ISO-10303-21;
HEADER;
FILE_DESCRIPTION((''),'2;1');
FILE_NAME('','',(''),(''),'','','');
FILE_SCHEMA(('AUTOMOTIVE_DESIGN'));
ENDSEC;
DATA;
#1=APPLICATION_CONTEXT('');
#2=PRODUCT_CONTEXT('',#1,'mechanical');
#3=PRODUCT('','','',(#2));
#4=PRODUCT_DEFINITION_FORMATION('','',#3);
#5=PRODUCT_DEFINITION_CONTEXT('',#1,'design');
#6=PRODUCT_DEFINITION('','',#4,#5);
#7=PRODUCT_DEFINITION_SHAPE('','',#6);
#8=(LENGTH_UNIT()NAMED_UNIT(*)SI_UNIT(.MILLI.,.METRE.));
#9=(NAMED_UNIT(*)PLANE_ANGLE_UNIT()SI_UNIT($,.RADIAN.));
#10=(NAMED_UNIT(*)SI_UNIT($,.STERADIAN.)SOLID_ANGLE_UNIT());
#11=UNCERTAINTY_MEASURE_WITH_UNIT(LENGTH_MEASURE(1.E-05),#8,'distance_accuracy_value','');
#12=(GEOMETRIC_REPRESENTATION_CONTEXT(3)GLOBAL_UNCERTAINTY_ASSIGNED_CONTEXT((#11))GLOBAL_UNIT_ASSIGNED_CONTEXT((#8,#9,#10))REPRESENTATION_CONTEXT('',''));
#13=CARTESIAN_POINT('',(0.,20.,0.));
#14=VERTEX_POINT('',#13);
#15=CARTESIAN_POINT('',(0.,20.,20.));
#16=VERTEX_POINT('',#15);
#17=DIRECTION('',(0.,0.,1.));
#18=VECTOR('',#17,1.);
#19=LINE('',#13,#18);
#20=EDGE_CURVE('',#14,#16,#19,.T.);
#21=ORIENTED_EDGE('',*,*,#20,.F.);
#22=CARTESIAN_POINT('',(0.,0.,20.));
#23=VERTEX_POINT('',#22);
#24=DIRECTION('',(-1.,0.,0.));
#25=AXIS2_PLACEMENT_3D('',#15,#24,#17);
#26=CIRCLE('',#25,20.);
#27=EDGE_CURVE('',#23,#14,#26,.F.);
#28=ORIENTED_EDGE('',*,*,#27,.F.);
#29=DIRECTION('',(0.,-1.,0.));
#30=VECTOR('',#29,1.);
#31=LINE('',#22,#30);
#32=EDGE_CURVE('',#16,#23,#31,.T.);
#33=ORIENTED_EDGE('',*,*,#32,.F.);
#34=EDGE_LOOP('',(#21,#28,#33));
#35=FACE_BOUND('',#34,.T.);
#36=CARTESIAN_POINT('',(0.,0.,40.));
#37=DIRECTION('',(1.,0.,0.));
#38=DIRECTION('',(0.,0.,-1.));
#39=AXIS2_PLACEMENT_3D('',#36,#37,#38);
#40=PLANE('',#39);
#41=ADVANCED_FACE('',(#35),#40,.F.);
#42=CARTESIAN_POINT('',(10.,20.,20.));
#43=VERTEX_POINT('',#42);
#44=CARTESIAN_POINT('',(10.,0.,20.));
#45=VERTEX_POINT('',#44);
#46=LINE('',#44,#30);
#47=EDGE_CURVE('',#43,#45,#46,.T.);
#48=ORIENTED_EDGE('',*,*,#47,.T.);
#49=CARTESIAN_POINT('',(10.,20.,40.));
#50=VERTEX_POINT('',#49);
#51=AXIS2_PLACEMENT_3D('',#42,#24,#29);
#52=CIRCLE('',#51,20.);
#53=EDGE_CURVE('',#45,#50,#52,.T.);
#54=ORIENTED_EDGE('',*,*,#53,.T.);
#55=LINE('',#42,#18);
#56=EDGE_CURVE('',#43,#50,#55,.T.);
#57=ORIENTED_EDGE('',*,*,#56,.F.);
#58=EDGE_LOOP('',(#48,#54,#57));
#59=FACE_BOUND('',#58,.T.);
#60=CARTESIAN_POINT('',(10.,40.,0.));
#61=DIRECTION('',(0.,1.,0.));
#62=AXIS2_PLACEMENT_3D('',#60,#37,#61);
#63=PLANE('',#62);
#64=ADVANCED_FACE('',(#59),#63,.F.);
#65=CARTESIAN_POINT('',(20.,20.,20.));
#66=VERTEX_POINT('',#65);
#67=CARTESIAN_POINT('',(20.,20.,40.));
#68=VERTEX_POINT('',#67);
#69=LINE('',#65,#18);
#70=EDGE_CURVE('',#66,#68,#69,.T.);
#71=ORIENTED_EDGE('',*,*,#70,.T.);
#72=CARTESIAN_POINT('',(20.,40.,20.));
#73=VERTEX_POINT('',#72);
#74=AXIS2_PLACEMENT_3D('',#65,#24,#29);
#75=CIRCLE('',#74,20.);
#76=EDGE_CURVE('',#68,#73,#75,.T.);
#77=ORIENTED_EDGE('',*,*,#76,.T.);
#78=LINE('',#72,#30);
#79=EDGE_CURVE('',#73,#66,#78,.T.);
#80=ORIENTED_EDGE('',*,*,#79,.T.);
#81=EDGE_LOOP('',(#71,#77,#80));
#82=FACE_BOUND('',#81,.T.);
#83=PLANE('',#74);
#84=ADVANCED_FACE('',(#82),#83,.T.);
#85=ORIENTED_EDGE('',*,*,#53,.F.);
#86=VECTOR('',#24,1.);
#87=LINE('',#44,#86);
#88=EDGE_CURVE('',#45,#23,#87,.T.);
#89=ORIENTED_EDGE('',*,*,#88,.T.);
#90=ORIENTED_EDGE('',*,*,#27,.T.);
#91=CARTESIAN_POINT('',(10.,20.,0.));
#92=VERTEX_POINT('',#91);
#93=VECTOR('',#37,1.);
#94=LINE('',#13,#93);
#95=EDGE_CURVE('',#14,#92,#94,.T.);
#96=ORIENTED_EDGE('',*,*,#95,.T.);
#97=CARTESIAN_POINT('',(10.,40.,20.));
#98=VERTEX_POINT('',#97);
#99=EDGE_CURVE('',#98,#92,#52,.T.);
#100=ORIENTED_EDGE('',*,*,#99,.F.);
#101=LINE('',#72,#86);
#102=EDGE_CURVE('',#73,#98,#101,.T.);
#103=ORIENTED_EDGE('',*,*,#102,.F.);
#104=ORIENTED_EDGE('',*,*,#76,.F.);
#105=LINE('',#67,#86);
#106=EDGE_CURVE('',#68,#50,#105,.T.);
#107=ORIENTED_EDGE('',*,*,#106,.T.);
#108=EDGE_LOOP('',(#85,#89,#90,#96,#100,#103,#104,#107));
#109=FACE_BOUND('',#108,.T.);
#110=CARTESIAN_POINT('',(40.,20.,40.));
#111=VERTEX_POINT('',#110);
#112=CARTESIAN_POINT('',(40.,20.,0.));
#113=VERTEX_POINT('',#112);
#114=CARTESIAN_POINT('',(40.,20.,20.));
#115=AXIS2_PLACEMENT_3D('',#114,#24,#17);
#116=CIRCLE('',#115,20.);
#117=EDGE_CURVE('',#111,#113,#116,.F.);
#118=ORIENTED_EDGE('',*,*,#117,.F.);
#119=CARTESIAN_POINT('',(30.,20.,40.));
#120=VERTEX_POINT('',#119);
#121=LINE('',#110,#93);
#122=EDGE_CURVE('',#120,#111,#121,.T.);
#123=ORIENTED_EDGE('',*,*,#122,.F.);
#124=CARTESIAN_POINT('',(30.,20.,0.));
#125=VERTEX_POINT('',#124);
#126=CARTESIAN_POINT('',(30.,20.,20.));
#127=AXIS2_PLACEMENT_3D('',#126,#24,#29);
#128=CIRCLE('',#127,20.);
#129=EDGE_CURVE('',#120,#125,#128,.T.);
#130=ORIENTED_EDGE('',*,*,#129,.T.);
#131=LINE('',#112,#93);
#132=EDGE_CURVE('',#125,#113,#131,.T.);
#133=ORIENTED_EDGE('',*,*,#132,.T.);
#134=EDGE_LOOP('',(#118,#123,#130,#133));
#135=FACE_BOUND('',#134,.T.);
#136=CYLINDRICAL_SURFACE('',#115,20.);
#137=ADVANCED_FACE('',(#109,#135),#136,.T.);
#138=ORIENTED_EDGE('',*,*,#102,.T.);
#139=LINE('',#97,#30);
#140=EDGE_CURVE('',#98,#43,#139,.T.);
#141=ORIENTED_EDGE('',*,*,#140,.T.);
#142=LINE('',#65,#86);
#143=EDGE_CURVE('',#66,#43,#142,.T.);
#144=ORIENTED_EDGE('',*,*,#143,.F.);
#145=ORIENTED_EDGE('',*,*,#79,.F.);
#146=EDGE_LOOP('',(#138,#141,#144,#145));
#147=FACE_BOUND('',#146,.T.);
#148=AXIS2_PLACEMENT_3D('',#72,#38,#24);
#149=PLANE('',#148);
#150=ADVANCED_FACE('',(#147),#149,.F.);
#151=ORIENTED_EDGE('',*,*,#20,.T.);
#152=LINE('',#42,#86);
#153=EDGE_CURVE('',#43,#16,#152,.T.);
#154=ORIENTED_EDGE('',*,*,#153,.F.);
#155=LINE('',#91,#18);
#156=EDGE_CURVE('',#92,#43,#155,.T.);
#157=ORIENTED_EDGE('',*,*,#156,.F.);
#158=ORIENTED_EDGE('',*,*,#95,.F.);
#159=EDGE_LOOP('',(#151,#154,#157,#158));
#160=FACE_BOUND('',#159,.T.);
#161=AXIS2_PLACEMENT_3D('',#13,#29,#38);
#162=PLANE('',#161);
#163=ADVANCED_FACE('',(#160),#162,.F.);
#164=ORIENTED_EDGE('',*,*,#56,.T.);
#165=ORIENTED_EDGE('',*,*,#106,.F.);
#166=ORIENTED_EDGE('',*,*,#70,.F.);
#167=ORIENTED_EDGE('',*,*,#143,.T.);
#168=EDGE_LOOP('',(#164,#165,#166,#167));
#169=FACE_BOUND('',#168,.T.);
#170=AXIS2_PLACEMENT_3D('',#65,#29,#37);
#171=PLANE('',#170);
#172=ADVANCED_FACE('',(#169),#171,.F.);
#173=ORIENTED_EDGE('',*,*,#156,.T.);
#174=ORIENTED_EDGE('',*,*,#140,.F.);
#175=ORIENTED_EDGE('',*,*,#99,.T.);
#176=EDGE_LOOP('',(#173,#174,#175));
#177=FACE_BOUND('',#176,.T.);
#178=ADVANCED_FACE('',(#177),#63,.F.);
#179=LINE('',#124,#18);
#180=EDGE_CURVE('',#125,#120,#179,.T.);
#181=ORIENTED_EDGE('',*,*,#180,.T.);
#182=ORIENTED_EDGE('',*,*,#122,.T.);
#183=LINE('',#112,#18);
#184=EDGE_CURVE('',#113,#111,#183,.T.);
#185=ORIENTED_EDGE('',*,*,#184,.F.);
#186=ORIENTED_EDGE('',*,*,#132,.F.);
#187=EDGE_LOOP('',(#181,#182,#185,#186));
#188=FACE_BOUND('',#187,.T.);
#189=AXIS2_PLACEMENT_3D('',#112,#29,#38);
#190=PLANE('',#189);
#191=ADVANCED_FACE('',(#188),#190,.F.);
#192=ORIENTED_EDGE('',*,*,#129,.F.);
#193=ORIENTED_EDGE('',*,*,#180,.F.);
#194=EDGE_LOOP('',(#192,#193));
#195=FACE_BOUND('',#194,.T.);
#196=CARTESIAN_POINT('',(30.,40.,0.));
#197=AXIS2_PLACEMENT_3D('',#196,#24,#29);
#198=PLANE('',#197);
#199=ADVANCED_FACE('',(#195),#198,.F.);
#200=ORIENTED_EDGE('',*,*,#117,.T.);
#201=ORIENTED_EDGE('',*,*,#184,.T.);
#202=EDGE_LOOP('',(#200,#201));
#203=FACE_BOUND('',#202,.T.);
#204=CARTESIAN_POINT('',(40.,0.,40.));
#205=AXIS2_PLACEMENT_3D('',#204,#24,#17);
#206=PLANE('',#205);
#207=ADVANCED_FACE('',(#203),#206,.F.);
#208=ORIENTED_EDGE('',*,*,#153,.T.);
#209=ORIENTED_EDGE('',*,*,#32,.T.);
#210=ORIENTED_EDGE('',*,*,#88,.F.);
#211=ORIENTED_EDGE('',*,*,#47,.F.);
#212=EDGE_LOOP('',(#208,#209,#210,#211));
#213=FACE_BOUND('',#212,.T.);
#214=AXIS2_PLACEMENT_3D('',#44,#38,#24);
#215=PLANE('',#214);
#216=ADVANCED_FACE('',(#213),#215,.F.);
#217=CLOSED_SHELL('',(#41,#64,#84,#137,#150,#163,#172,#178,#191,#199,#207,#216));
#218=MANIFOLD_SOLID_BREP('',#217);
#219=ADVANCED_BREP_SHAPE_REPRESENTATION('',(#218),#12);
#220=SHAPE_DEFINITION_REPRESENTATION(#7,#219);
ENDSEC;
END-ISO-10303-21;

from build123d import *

# Parameters (mm, degrees)
SKETCH1_W           = 40
SKETCH1_H           = 40
BOSS_EXTRUDE1_DEPTH = 40
SKETCH2_W           = 10
SKETCH2_H           = 20
CUT_EXTRUDE1_DEPTH  = 40
CUT_EXTRUDE2_DEPTH  = 40
CUT_EXTRUDE3_DEPTH  = 40
CUT_EXTRUDE4_DEPTH  = 10
CUT_EXTRUDE5_DEPTH  = 10


with BuildPart() as part:
    # Sketch1 → Boss-Extrude1 (new body)
    with BuildSketch(Plane.XY):
        with Locations((20, 20)):
            Rectangle(SKETCH1_W, SKETCH1_H)
    extrude(amount=BOSS_EXTRUDE1_DEPTH)

    # Sketch2 → Cut-Extrude1 (cut)
    with BuildSketch(Plane.XY.offset(40)):
        with Locations((5, 30)):
            Rectangle(SKETCH2_W, SKETCH2_H)
        with Locations((35, 30)):
            Rectangle(SKETCH2_W, SKETCH2_H)
    extrude(amount=-CUT_EXTRUDE1_DEPTH, mode=Mode.SUBTRACT)

    # Sketch3 → Cut-Extrude2 (cut)
    with BuildSketch(Plane.ZY):
        with BuildLine():
            ThreePointArc((20, 0), (5.857864376, 5.857864376), (0, 20))
            Line((0, 20), (0, 0))
            Line((0, 0), (20, 0))
        make_face()
        with BuildLine():
            ThreePointArc((40, 20), (34.142135624, 5.857864376), (20, 0))
            Line((20, 0), (40, 0))
            Line((40, 0), (40, 20))
        make_face()
    extrude(amount=-CUT_EXTRUDE2_DEPTH, mode=Mode.SUBTRACT)

    # Sketch4 → Cut-Extrude3 (cut)
    with BuildSketch(Plane.ZY.offset(-10)):
        with BuildLine():
            Line((0, 40), (0, 20))
            ThreePointArc((0, 20), (5.857864376, 34.142135624), (20, 40))
            Line((20, 40), (0, 40))
        make_face()
        with BuildLine():
            Line((40, 40), (20, 40))
            ThreePointArc((20, 40), (34.142135624, 34.142135624), (40, 20))
            Line((40, 20), (40, 40))
        make_face()
    extrude(amount=-CUT_EXTRUDE3_DEPTH, mode=Mode.SUBTRACT)

    # Sketch5 → Cut-Extrude4 (cut)
    with BuildSketch(Plane.ZY):
        with BuildLine():
            Line((20, 0), (20, 20))
            Line((20, 20), (40, 20))
            ThreePointArc((40, 20), (34.142135624, 5.857864376), (20, 0))
        make_face()
    extrude(amount=-CUT_EXTRUDE4_DEPTH, mode=Mode.SUBTRACT)

    # Sketch6 → Cut-Extrude5 (cut)
    with BuildSketch(Plane.ZY.offset(-10)):
        with BuildLine():
            Line((20, 40), (20, 20))
            Line((20, 20), (40, 20))
            ThreePointArc((40, 20), (34.142135624, 34.142135624), (20, 40))
        make_face()
    extrude(amount=-CUT_EXTRUDE5_DEPTH, mode=Mode.SUBTRACT)


solid = part.part
